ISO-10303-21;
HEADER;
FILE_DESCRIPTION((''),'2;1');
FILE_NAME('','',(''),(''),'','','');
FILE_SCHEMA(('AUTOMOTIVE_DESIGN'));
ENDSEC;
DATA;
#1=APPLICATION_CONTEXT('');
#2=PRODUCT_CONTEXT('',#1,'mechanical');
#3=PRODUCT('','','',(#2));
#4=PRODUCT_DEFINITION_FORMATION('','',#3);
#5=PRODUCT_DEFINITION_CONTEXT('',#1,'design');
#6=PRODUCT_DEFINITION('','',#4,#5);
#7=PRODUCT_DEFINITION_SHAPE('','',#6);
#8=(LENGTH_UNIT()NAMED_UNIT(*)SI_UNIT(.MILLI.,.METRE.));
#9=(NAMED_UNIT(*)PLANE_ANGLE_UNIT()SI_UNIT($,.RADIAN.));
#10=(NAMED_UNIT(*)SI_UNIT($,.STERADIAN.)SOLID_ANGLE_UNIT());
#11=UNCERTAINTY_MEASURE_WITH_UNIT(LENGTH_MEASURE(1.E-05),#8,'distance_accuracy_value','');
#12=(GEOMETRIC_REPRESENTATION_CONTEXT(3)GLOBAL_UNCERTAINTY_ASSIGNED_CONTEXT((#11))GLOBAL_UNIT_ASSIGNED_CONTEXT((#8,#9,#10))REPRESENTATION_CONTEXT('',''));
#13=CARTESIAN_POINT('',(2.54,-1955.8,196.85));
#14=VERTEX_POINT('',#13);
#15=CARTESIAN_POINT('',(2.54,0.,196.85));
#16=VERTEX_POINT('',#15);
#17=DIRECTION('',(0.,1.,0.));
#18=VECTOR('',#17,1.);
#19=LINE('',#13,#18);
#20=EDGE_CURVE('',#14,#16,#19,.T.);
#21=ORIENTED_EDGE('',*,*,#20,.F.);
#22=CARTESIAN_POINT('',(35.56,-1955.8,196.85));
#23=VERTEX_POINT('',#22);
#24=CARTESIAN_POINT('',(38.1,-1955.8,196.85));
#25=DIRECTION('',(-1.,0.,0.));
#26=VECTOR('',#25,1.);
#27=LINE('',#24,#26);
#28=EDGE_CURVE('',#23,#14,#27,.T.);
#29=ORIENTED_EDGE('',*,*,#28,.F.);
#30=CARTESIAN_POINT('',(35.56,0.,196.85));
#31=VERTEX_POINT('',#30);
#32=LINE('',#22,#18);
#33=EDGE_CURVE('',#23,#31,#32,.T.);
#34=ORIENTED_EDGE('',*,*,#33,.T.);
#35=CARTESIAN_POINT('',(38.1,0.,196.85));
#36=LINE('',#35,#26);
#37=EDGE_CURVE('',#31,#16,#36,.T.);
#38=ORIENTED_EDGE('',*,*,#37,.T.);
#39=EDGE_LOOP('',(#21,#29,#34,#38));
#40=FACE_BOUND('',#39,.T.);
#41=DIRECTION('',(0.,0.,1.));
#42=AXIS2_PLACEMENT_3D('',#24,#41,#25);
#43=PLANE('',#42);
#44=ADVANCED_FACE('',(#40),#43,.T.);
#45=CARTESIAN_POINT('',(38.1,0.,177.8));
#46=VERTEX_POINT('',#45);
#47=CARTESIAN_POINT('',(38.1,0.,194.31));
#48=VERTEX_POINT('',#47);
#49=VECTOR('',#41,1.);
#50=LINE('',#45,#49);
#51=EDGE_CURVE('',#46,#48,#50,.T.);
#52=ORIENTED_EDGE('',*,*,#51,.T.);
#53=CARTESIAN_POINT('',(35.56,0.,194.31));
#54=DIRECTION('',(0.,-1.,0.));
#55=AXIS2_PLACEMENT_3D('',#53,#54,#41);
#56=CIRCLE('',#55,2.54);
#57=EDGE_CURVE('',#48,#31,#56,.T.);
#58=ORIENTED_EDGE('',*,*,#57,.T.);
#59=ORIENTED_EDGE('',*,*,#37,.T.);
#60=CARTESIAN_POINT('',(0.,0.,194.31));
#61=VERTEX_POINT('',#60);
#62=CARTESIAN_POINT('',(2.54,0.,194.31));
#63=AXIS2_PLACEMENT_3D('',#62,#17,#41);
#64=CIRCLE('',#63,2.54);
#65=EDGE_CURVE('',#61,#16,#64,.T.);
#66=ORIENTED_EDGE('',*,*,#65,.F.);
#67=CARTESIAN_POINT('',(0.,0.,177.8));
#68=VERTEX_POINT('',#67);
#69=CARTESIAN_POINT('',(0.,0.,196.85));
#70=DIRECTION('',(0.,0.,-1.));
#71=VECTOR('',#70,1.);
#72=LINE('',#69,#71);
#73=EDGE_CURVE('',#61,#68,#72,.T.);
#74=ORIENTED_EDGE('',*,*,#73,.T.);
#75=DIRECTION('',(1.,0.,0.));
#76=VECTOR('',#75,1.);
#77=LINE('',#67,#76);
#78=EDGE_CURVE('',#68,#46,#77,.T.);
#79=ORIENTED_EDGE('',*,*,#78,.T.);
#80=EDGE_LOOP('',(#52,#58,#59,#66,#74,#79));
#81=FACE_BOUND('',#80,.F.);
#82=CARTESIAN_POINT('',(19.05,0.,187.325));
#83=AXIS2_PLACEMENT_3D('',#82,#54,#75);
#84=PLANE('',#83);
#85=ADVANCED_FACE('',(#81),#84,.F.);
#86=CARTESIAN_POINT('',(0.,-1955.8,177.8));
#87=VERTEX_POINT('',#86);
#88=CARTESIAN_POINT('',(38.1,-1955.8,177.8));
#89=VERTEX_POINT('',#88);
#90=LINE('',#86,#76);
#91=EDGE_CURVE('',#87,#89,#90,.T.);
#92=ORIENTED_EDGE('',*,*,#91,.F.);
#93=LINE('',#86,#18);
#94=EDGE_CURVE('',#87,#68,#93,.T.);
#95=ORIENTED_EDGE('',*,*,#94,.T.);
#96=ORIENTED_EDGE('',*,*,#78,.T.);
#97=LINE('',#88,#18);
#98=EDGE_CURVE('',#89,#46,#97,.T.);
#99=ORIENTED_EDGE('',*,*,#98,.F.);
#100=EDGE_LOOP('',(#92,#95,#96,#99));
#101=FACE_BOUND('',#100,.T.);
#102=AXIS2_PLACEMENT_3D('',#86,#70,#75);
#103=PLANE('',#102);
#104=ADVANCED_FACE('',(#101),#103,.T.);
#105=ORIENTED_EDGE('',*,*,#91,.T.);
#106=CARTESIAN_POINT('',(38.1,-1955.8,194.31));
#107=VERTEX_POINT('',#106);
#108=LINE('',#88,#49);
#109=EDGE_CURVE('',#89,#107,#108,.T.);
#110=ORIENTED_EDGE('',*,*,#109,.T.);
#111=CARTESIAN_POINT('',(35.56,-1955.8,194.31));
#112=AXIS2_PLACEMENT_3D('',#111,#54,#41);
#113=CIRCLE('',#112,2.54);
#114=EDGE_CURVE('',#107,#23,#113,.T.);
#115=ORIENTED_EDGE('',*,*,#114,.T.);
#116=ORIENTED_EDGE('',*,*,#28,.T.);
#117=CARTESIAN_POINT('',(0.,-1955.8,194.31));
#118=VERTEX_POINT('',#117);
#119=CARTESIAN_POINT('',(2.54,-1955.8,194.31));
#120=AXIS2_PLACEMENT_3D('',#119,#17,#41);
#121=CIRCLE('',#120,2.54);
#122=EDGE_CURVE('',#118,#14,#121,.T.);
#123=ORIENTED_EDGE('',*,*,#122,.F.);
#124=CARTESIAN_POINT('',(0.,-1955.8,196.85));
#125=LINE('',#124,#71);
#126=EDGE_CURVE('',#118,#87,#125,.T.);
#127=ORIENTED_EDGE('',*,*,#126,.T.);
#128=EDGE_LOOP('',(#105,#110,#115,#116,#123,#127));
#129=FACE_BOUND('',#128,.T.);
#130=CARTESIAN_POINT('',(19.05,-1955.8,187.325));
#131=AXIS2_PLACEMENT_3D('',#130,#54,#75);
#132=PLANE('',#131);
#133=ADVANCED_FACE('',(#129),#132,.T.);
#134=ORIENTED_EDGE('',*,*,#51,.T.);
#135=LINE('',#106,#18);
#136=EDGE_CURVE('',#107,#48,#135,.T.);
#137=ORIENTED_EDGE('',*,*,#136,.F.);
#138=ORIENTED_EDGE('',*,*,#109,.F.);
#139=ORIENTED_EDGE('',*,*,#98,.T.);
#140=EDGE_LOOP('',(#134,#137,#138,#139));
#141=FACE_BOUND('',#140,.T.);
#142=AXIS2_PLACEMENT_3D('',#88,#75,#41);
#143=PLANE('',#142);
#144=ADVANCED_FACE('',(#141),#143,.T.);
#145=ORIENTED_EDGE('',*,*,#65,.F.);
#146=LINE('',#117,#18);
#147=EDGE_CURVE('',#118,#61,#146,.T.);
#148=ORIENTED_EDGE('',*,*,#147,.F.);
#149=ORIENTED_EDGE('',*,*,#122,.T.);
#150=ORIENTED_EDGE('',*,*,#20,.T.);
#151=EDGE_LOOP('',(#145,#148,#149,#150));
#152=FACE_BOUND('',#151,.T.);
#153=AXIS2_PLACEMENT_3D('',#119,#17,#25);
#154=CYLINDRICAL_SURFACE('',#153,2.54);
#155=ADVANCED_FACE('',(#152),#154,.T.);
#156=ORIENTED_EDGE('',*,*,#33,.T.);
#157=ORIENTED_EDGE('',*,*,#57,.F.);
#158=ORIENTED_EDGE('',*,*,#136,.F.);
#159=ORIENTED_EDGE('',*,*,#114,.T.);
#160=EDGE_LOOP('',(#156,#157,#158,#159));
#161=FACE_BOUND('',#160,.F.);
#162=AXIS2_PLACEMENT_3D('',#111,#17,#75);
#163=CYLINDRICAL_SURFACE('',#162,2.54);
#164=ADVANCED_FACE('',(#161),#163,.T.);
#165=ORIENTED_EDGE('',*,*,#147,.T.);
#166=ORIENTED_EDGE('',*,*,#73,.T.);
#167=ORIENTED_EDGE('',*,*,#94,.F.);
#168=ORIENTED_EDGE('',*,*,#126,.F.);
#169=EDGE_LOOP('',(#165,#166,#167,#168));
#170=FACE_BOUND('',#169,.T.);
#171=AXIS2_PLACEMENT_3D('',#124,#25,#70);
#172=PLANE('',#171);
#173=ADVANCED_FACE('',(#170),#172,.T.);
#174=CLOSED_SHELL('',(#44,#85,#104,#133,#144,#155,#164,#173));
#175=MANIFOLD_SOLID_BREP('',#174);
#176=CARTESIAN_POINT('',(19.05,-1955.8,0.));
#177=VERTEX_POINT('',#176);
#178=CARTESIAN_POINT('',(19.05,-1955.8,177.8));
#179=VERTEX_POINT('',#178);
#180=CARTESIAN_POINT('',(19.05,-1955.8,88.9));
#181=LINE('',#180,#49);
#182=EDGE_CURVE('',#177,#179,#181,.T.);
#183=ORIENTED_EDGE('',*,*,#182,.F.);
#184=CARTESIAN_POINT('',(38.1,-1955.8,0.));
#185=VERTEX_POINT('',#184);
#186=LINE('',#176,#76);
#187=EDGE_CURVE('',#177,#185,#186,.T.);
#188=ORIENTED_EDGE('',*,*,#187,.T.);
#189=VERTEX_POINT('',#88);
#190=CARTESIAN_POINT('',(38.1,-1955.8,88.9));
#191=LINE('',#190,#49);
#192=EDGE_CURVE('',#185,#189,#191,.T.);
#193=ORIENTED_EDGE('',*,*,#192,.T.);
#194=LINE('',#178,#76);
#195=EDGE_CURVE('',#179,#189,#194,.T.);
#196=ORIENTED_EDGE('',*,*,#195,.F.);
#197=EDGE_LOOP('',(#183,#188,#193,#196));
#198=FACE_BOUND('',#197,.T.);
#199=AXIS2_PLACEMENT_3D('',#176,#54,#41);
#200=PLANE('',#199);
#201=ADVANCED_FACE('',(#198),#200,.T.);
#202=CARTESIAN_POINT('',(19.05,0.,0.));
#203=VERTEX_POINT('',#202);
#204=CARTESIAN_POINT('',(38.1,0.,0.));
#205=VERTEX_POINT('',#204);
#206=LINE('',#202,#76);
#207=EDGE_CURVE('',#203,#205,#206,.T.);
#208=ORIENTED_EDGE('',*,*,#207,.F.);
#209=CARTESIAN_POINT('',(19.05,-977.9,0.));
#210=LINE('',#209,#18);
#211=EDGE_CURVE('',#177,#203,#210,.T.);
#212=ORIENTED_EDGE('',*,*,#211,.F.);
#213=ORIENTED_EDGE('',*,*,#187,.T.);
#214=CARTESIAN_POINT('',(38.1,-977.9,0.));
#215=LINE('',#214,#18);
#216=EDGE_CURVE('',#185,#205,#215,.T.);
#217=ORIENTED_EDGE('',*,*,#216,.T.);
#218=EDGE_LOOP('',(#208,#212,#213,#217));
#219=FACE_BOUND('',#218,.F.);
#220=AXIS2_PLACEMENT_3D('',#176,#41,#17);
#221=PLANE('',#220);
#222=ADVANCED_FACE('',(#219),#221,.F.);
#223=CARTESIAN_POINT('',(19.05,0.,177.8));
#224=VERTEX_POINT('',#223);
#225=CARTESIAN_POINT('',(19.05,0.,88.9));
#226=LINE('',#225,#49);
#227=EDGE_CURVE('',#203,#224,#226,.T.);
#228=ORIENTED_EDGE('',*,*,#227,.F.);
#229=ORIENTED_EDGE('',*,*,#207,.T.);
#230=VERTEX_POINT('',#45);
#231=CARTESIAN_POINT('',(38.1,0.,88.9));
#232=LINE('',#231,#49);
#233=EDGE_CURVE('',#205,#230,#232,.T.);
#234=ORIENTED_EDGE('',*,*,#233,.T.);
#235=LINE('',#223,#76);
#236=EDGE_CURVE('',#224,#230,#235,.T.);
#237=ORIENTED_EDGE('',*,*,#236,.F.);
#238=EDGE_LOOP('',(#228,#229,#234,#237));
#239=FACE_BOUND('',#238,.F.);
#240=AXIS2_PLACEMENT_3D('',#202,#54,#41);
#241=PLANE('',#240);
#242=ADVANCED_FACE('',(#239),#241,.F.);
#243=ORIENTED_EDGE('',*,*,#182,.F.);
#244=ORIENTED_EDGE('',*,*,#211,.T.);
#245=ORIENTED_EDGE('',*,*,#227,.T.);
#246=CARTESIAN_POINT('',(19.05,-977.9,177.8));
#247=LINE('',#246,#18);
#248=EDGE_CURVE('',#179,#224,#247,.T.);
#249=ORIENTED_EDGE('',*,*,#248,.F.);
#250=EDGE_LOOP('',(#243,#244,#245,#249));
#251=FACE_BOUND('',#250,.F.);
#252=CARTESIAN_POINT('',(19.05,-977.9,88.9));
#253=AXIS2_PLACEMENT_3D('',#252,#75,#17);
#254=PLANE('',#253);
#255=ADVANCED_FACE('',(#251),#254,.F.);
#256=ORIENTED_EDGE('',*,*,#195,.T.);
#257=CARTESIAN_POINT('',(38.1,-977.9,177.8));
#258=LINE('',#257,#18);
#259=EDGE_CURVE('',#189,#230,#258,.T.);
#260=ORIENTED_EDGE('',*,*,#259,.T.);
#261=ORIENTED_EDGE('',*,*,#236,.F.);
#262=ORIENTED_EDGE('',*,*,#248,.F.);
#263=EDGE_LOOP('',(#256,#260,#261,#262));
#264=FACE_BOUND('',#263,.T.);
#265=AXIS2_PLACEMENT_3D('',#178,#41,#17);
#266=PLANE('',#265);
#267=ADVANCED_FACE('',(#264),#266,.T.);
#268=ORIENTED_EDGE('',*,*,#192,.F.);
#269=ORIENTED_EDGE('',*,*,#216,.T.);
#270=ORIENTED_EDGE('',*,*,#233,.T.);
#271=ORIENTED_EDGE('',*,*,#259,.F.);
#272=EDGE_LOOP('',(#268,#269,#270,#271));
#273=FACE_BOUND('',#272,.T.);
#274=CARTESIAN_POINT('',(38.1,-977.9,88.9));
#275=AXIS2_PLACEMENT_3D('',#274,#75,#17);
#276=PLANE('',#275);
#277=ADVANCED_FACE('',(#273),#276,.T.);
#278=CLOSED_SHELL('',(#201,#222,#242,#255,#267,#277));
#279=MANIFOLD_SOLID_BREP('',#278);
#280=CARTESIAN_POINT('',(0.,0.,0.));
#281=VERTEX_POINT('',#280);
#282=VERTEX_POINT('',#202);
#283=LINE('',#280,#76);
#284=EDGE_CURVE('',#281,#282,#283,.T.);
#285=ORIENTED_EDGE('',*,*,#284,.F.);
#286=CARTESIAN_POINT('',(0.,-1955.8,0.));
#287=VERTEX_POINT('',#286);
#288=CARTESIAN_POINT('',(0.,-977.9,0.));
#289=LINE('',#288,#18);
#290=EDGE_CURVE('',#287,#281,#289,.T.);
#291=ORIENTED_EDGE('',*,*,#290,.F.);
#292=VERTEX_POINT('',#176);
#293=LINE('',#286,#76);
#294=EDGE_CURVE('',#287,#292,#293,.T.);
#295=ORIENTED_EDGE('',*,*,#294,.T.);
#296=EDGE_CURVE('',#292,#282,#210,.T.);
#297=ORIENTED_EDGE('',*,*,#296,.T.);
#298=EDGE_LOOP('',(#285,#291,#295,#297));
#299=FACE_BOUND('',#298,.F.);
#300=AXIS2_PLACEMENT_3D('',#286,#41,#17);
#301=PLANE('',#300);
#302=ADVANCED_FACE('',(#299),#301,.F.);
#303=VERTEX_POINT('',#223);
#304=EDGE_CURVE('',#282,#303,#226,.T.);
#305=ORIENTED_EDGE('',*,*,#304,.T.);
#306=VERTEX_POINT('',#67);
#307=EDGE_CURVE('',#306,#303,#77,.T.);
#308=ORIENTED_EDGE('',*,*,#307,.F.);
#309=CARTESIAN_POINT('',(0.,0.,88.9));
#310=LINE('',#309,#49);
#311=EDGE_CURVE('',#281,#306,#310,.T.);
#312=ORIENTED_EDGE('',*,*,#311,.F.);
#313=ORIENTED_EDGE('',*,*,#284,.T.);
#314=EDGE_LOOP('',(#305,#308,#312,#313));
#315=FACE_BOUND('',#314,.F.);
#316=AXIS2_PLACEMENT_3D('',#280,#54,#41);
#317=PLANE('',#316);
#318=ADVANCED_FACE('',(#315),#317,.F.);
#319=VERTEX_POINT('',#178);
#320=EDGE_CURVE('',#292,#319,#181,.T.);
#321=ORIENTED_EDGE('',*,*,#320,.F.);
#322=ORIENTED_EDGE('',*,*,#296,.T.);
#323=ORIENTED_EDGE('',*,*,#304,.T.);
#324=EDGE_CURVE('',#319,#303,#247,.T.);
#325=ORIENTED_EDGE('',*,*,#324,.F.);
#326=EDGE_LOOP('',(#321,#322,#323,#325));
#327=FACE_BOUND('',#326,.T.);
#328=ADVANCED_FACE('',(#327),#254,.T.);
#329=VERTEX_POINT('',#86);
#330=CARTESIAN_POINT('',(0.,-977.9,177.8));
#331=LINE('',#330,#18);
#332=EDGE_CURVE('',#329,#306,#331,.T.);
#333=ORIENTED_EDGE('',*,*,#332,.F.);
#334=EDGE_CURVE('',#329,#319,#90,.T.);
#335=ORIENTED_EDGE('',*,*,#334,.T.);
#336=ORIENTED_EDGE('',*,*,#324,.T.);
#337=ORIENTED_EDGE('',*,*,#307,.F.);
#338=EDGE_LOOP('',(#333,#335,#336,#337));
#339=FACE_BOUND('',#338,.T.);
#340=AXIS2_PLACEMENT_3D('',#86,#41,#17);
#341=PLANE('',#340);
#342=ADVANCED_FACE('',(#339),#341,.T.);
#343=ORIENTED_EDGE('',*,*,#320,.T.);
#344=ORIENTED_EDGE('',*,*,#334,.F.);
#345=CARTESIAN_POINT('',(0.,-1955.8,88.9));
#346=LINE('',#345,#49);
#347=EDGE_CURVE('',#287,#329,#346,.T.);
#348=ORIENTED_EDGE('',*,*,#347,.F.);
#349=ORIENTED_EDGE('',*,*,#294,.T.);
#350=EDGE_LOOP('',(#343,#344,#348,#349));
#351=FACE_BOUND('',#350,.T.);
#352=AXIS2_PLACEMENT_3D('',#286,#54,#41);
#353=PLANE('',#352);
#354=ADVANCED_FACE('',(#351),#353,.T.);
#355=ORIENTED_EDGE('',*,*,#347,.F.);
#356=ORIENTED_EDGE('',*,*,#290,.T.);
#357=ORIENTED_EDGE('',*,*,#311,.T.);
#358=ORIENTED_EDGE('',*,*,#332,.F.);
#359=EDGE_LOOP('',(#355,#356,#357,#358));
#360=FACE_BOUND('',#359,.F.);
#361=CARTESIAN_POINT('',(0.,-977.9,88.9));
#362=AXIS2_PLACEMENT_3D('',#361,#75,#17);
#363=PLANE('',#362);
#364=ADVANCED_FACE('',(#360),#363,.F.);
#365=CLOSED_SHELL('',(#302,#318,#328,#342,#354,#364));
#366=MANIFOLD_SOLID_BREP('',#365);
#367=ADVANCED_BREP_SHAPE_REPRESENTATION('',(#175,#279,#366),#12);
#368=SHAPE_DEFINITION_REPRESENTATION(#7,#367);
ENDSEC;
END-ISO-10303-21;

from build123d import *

# Parameters (mm, degrees)
F0_W     = 1955.8
F0_H     = 177.8
F1_DEPTH = 19.05
F2_W     = 1955.8
F2_H     = 177.8
F3_DEPTH = 19.05
F5_DEPTH = 1955.8
F6_R     = 2.54


with BuildPart() as f1:
    # F0 (on Right) → F1 (new body)
    with BuildSketch(Plane.YZ):
        with Locations((-977.9, 88.9)):
            Rectangle(F0_W, F0_H)
    extrude(amount=F1_DEPTH)


with BuildPart() as f3:
    # F2 (on face) → F3 (new body)
    with BuildSketch(Plane.YZ.offset(19.05)):
        with Locations((-977.9, 88.9)):
            Rectangle(F2_W, F2_H)
    extrude(amount=F3_DEPTH)


with BuildPart() as f5:
    # F4 (on face) → F5 (new body, through all)
    with BuildSketch(Plane.XZ.offset(1955.8)):
        Polygon((0, 196.85), (0, 177.8), (19.05, 177.8), (38.1, 177.8), (38.1, 196.85), align=None)
    extrude(amount=-F5_DEPTH)

    # F6
    f6_edges = [f5.edges().sort_by_distance(p)[0] for p in [
        (0, -977.9, 196.85),
        (38.1, -977.9, 196.85),
    ]]
    fillet(f6_edges, radius=F6_R)


solid = Compound([f1.part, f3.part, f5.part])
